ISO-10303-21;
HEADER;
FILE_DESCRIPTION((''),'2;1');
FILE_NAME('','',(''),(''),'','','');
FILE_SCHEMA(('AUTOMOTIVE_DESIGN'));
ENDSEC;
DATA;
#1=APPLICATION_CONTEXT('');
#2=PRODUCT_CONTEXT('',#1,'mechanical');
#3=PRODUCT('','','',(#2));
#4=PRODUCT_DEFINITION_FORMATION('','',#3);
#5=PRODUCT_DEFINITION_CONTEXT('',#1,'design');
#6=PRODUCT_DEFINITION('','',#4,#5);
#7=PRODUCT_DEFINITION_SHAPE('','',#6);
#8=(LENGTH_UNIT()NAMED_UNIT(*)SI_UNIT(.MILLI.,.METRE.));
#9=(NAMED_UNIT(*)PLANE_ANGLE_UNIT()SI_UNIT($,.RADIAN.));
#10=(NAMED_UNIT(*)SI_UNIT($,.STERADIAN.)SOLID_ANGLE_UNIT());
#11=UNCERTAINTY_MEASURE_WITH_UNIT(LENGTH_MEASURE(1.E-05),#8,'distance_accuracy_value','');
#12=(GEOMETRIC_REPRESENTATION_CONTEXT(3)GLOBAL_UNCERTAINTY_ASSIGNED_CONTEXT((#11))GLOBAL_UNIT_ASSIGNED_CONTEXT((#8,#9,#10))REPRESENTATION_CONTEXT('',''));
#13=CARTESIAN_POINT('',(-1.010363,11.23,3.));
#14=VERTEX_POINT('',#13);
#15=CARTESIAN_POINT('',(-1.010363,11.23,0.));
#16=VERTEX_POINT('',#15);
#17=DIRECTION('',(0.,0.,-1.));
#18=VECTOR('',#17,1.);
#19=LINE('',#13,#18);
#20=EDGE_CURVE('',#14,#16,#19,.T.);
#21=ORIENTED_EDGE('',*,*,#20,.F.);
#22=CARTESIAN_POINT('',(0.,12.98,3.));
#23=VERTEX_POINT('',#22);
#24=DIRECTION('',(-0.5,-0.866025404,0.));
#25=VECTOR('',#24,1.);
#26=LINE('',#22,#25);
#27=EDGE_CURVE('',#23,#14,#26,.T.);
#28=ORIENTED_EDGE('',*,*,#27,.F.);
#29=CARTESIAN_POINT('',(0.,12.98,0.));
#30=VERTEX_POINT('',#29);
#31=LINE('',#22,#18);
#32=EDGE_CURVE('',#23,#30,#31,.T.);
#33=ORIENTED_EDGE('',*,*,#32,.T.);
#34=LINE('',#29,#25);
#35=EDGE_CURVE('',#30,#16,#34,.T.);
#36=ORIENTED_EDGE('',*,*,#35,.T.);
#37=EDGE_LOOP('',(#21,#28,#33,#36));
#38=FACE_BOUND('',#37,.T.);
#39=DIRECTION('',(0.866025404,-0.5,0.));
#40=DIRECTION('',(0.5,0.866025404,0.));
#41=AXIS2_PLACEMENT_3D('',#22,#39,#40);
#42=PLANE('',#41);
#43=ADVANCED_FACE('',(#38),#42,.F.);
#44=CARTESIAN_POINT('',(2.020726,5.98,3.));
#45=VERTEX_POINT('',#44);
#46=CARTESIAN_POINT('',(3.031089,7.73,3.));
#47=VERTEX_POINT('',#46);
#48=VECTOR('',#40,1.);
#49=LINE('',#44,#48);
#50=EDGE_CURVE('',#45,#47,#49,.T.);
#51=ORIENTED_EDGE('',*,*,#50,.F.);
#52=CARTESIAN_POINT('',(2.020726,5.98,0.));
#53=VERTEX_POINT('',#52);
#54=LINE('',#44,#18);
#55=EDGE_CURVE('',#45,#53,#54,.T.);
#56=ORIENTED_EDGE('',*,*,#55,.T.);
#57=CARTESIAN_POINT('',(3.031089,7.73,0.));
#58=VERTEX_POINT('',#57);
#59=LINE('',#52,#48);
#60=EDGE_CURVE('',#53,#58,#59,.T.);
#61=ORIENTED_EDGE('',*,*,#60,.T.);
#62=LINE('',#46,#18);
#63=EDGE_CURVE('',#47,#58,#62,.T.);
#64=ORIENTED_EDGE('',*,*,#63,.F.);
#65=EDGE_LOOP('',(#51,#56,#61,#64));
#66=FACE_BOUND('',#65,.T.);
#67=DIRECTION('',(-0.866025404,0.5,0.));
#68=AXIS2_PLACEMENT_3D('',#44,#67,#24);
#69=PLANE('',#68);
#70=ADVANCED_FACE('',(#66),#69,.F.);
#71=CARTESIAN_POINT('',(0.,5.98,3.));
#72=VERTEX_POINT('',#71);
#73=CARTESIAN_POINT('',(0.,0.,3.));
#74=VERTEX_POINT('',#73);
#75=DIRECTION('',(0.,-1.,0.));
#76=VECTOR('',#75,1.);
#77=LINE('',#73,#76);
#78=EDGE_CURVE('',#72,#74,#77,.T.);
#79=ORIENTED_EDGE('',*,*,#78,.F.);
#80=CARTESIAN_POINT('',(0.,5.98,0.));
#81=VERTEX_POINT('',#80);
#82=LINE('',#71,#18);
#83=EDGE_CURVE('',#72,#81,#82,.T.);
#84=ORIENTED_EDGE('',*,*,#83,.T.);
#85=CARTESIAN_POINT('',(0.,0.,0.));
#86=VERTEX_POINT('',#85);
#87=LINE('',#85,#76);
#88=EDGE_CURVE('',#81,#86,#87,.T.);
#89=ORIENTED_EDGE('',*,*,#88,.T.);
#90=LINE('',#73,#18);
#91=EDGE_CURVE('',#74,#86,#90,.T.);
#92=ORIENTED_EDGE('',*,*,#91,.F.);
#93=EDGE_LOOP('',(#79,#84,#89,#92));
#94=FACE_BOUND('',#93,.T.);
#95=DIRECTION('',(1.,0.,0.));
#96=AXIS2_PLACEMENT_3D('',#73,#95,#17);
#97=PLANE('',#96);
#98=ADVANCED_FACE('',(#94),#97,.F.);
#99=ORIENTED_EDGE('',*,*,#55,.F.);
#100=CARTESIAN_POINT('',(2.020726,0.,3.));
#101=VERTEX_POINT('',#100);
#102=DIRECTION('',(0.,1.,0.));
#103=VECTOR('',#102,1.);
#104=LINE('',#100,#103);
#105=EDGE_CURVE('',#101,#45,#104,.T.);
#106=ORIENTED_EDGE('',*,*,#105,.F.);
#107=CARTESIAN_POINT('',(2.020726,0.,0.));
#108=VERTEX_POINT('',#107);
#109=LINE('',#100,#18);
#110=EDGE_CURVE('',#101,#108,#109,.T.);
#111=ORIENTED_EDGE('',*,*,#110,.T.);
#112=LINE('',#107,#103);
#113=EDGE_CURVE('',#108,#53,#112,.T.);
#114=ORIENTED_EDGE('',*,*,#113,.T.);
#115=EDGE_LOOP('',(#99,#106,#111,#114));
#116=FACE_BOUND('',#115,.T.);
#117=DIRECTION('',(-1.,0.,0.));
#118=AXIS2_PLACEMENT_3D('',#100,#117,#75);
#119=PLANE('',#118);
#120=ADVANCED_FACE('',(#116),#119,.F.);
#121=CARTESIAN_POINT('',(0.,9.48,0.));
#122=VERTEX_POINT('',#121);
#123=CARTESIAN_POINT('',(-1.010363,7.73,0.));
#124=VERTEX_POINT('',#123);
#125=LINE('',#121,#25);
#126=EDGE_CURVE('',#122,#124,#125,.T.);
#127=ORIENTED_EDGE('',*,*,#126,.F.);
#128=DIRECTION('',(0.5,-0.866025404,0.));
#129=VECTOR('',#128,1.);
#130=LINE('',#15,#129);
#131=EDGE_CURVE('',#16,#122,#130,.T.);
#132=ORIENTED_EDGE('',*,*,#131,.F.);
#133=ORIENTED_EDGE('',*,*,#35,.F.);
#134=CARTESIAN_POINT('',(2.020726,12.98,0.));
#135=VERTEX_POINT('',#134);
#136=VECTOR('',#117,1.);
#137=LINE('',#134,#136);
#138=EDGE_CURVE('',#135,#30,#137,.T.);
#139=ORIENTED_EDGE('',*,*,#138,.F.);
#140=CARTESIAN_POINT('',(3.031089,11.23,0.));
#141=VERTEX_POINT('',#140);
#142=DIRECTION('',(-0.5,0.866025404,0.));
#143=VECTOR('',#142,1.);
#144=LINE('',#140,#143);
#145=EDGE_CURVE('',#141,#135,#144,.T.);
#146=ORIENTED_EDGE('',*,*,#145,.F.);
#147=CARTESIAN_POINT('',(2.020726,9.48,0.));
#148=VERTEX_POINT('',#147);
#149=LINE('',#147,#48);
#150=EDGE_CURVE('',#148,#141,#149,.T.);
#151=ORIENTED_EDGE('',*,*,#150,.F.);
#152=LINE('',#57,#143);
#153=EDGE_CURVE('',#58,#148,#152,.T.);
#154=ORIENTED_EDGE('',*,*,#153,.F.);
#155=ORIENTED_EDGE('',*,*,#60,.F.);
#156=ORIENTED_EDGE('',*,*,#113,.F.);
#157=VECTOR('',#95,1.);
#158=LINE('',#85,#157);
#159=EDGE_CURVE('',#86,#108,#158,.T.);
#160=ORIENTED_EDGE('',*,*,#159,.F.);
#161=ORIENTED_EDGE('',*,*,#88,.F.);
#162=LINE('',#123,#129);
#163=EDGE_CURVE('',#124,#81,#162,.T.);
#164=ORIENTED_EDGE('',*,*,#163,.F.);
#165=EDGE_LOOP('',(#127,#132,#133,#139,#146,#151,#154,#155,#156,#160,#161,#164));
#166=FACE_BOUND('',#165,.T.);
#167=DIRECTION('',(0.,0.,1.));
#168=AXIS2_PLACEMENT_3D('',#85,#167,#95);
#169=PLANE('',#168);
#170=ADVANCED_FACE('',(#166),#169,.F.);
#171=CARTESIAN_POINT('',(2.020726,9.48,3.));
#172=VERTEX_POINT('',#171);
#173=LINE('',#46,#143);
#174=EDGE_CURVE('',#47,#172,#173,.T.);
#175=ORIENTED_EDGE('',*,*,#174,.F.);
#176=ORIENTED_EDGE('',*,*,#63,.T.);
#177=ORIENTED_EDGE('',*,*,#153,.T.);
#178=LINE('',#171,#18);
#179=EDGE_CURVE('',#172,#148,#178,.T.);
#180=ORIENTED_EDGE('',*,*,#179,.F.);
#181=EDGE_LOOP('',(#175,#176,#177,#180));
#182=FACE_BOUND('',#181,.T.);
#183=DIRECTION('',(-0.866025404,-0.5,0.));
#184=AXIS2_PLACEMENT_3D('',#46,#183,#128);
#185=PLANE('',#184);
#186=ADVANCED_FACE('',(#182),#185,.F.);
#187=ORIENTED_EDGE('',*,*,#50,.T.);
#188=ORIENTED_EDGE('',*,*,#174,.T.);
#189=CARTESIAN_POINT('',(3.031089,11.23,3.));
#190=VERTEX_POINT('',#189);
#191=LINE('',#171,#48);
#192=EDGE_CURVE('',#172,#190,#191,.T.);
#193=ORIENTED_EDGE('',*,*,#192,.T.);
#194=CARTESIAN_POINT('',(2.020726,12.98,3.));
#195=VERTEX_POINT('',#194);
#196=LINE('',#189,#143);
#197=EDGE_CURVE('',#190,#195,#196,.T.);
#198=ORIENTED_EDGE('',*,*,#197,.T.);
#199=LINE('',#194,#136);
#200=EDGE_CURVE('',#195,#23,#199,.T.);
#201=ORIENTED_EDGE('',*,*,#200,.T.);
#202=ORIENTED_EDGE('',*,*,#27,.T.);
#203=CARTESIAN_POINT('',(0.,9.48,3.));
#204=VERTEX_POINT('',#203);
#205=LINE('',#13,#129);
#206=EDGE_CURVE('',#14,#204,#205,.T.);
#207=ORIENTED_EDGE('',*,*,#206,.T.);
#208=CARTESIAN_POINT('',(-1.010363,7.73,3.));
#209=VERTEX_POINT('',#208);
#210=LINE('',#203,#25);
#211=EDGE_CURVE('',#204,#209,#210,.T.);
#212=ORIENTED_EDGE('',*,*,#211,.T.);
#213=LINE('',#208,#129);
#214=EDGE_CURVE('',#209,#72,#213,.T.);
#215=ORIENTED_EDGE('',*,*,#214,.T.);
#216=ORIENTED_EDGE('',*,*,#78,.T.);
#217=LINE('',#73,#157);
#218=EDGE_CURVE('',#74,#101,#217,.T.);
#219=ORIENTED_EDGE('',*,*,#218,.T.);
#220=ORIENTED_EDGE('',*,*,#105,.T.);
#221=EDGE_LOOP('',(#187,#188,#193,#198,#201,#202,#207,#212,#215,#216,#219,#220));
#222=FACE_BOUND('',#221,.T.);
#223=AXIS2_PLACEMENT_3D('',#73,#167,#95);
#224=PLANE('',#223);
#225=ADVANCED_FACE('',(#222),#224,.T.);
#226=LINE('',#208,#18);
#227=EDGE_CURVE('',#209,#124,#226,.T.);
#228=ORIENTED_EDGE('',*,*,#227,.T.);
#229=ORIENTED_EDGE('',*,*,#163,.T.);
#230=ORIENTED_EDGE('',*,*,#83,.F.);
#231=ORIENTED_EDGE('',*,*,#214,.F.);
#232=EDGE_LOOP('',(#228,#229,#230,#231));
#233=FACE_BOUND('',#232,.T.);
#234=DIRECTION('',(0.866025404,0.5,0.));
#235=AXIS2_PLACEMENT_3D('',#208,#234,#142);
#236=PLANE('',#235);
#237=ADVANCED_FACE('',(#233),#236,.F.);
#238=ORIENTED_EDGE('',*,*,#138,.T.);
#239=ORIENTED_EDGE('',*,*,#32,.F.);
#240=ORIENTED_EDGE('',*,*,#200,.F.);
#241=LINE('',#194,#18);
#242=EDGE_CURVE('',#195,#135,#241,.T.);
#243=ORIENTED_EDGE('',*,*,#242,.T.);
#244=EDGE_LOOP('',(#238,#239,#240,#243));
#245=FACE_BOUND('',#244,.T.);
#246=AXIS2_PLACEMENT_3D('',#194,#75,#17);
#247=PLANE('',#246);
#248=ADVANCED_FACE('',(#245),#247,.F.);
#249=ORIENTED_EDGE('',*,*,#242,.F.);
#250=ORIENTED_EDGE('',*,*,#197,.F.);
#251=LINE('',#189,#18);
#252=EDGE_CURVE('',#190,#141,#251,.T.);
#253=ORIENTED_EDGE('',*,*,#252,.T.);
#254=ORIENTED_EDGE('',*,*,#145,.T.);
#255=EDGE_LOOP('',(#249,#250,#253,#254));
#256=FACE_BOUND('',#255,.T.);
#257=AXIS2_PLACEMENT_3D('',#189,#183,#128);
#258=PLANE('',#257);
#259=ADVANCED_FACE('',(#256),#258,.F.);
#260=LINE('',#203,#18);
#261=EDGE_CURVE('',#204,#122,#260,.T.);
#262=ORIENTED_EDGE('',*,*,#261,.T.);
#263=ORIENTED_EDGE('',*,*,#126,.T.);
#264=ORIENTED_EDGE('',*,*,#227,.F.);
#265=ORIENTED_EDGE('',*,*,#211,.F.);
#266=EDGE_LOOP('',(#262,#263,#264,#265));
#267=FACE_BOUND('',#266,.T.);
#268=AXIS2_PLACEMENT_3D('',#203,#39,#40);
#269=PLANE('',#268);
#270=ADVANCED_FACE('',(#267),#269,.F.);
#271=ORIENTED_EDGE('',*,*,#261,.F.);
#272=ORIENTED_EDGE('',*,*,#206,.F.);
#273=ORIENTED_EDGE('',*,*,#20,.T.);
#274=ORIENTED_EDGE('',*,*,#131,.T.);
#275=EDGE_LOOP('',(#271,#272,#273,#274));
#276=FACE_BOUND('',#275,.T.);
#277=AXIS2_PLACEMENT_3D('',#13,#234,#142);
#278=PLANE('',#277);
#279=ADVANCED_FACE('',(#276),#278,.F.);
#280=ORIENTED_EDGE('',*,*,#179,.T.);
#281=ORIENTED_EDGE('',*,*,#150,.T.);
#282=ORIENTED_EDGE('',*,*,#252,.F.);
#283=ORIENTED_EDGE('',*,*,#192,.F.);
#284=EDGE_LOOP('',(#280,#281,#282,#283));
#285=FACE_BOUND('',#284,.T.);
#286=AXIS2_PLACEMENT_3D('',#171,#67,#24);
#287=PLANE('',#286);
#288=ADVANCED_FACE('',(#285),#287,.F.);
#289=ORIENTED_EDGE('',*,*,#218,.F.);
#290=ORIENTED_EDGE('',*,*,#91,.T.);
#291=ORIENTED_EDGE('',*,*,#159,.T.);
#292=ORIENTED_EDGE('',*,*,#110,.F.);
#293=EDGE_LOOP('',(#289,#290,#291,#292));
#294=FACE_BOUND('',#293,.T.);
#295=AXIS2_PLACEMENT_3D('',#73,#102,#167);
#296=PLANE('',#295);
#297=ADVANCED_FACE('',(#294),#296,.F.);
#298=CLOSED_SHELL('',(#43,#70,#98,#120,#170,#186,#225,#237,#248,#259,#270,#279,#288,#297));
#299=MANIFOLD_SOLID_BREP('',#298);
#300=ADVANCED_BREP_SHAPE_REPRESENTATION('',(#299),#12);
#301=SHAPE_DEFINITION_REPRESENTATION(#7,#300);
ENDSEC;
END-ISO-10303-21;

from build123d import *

# Parameters (mm, degrees)
BOSS_EXTRUDE1_DEPTH = 3


with BuildPart() as part:
    # Sketch1 → Boss-Extrude1 (new body)
    with BuildSketch(Plane.XY):
        Polygon((0, 0), (2.020726, 0), (2.020726, 5.98), (3.031089, 7.73000005), (2.020726, 9.4800001), (3.031089, 11.23000015), (2.020726, 12.9800002), (0, 12.9800002), (-1.010363, 11.23000015), (0, 9.4800001), (-1.010363, 7.73000005), (0, 5.98), align=None)
    extrude(amount=BOSS_EXTRUDE1_DEPTH)


solid = part.part
